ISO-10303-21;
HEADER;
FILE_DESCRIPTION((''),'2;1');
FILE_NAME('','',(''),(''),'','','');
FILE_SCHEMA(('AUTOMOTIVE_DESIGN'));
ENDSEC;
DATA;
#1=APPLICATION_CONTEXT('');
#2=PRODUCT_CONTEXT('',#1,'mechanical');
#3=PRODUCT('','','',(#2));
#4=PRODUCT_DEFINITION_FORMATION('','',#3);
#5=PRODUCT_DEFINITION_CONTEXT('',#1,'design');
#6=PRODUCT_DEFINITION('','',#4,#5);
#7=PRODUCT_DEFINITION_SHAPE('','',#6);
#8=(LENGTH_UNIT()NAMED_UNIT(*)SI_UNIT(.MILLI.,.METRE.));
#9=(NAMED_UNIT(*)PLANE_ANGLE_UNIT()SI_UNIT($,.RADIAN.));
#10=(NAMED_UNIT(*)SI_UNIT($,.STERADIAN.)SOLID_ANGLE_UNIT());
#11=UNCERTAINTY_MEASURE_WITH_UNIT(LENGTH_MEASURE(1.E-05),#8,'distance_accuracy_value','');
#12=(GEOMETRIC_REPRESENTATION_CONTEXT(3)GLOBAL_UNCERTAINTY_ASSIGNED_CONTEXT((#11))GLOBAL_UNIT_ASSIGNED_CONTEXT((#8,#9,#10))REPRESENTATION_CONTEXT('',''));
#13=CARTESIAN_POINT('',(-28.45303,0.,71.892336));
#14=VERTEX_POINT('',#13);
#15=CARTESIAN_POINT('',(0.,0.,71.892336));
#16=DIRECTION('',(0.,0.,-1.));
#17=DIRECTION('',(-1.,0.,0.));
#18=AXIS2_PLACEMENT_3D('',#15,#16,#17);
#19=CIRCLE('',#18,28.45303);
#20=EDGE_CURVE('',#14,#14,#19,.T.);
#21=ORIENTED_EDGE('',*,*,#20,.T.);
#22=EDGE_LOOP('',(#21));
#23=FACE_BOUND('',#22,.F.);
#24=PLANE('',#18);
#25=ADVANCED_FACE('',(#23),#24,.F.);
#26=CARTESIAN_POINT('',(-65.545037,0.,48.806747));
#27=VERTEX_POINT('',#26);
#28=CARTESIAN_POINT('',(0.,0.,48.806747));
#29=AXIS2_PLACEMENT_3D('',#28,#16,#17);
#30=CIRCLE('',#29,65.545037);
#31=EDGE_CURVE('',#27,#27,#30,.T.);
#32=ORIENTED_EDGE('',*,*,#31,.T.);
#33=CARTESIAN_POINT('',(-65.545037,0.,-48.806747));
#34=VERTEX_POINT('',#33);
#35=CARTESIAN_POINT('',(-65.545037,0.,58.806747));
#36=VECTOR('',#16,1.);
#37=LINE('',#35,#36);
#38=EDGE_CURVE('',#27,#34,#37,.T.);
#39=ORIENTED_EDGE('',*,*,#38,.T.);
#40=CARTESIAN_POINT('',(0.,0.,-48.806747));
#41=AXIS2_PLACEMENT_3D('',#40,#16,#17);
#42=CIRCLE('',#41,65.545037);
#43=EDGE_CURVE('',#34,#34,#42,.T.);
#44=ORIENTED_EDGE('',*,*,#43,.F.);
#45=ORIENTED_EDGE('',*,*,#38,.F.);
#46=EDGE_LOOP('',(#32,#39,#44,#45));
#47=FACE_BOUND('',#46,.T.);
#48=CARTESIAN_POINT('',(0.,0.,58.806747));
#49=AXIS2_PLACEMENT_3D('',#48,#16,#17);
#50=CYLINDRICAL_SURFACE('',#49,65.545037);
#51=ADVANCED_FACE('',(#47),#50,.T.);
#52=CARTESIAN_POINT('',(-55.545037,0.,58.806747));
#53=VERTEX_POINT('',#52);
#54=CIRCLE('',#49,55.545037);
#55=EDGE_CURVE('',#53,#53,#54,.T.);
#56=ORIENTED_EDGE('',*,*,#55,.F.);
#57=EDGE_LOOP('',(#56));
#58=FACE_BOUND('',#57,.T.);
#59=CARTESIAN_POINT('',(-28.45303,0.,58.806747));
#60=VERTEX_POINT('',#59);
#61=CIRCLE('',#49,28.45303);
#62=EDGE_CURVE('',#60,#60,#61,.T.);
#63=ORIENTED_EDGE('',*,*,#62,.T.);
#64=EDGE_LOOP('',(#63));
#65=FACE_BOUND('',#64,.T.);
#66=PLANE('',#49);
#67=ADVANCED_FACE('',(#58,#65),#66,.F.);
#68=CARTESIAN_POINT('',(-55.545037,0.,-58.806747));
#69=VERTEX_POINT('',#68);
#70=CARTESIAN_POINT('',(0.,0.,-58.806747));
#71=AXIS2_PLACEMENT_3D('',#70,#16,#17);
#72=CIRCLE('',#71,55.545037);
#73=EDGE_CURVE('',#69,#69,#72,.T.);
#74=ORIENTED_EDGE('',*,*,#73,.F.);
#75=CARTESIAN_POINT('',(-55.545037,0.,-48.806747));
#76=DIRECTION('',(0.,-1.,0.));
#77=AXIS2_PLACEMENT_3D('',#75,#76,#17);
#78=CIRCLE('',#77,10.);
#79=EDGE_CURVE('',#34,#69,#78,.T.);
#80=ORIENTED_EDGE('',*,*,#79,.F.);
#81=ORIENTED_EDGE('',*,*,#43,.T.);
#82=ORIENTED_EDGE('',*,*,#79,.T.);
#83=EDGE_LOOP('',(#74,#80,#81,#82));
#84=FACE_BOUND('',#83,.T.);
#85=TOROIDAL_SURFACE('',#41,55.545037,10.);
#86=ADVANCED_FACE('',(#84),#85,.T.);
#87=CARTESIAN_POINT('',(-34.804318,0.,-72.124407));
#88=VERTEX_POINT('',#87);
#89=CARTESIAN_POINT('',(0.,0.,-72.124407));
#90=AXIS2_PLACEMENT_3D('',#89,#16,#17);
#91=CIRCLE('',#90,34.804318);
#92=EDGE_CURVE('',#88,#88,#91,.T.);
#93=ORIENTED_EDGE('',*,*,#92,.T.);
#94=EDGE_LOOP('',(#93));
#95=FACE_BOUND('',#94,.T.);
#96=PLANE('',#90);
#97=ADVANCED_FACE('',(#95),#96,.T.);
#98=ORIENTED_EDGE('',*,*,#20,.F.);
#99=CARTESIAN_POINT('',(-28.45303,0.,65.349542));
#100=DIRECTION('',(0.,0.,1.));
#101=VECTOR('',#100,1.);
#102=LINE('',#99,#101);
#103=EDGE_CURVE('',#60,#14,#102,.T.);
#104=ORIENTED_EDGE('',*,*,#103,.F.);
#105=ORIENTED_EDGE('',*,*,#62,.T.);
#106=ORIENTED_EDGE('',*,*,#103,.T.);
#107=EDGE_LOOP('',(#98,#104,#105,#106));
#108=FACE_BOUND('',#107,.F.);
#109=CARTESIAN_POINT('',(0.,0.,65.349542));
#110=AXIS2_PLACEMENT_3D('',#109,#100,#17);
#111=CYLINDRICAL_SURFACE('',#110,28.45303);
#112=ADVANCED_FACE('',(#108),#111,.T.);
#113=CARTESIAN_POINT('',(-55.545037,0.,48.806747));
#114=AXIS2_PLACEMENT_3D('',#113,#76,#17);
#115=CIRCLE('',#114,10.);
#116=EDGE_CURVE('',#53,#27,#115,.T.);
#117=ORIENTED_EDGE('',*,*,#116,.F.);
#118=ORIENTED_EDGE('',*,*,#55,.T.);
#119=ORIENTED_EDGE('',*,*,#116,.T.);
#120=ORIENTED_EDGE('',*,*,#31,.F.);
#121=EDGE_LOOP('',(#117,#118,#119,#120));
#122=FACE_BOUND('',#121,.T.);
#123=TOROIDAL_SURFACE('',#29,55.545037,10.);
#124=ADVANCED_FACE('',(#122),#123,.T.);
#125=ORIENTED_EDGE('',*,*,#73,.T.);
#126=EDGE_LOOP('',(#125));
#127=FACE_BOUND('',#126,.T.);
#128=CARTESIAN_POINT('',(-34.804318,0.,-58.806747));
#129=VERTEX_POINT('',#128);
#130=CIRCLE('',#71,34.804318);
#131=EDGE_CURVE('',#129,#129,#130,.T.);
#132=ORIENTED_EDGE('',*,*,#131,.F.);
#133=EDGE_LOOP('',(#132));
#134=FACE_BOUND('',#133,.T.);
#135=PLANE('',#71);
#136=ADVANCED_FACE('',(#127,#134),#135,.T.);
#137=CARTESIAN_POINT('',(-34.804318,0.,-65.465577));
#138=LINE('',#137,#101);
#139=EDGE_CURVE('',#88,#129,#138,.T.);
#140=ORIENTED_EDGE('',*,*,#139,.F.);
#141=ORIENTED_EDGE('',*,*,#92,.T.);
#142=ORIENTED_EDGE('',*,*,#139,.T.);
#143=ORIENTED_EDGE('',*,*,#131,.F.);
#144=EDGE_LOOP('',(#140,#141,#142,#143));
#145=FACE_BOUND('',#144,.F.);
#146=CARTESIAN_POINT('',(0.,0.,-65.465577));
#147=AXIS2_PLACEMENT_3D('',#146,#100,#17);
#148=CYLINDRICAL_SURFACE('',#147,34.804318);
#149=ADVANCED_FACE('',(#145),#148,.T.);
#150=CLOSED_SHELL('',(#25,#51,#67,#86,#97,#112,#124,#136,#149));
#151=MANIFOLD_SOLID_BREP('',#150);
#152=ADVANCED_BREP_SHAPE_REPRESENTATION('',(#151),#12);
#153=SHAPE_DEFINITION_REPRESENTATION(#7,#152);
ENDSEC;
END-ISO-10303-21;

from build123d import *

# Parameters (mm, degrees)
F0_W   = 28.4530296922
F0_H   = 13.0855888128
F0_W_2 = 34.8043181002
F0_H_2 = 13.3176594973
F2_R   = 10


with BuildPart() as f1:
    # F0 (on Front) → F1 (revolve)
    with BuildSketch(Plane.XZ):
        with Locations((-14.2265148461, 65.3495416045)):
            Rectangle(F0_W, F0_H)
        Polygon((0, -58.8067471981), (0, 58.8067471981), (-28.4530296922, 58.8067471981), (-65.5450373888, 58.8067471981), (-65.5450373888, -58.8067471981), (-34.8043181002, -58.8067471981), align=None)
        with Locations((-17.4021590501, -65.4655769467)):
            Rectangle(F0_W_2, F0_H_2)
    revolve(axis=Axis((0, 0, 0), (0, 0, -1)))

    # F2
    f2_edges = [f1.edges().sort_by_distance(p)[0] for p in [
        (65.545037, 0, 58.806747),
        (65.545037, 0, -58.806747),
        (-65.545037, 0, 0),
    ]]
    fillet(f2_edges, radius=F2_R)


solid = f1.part
